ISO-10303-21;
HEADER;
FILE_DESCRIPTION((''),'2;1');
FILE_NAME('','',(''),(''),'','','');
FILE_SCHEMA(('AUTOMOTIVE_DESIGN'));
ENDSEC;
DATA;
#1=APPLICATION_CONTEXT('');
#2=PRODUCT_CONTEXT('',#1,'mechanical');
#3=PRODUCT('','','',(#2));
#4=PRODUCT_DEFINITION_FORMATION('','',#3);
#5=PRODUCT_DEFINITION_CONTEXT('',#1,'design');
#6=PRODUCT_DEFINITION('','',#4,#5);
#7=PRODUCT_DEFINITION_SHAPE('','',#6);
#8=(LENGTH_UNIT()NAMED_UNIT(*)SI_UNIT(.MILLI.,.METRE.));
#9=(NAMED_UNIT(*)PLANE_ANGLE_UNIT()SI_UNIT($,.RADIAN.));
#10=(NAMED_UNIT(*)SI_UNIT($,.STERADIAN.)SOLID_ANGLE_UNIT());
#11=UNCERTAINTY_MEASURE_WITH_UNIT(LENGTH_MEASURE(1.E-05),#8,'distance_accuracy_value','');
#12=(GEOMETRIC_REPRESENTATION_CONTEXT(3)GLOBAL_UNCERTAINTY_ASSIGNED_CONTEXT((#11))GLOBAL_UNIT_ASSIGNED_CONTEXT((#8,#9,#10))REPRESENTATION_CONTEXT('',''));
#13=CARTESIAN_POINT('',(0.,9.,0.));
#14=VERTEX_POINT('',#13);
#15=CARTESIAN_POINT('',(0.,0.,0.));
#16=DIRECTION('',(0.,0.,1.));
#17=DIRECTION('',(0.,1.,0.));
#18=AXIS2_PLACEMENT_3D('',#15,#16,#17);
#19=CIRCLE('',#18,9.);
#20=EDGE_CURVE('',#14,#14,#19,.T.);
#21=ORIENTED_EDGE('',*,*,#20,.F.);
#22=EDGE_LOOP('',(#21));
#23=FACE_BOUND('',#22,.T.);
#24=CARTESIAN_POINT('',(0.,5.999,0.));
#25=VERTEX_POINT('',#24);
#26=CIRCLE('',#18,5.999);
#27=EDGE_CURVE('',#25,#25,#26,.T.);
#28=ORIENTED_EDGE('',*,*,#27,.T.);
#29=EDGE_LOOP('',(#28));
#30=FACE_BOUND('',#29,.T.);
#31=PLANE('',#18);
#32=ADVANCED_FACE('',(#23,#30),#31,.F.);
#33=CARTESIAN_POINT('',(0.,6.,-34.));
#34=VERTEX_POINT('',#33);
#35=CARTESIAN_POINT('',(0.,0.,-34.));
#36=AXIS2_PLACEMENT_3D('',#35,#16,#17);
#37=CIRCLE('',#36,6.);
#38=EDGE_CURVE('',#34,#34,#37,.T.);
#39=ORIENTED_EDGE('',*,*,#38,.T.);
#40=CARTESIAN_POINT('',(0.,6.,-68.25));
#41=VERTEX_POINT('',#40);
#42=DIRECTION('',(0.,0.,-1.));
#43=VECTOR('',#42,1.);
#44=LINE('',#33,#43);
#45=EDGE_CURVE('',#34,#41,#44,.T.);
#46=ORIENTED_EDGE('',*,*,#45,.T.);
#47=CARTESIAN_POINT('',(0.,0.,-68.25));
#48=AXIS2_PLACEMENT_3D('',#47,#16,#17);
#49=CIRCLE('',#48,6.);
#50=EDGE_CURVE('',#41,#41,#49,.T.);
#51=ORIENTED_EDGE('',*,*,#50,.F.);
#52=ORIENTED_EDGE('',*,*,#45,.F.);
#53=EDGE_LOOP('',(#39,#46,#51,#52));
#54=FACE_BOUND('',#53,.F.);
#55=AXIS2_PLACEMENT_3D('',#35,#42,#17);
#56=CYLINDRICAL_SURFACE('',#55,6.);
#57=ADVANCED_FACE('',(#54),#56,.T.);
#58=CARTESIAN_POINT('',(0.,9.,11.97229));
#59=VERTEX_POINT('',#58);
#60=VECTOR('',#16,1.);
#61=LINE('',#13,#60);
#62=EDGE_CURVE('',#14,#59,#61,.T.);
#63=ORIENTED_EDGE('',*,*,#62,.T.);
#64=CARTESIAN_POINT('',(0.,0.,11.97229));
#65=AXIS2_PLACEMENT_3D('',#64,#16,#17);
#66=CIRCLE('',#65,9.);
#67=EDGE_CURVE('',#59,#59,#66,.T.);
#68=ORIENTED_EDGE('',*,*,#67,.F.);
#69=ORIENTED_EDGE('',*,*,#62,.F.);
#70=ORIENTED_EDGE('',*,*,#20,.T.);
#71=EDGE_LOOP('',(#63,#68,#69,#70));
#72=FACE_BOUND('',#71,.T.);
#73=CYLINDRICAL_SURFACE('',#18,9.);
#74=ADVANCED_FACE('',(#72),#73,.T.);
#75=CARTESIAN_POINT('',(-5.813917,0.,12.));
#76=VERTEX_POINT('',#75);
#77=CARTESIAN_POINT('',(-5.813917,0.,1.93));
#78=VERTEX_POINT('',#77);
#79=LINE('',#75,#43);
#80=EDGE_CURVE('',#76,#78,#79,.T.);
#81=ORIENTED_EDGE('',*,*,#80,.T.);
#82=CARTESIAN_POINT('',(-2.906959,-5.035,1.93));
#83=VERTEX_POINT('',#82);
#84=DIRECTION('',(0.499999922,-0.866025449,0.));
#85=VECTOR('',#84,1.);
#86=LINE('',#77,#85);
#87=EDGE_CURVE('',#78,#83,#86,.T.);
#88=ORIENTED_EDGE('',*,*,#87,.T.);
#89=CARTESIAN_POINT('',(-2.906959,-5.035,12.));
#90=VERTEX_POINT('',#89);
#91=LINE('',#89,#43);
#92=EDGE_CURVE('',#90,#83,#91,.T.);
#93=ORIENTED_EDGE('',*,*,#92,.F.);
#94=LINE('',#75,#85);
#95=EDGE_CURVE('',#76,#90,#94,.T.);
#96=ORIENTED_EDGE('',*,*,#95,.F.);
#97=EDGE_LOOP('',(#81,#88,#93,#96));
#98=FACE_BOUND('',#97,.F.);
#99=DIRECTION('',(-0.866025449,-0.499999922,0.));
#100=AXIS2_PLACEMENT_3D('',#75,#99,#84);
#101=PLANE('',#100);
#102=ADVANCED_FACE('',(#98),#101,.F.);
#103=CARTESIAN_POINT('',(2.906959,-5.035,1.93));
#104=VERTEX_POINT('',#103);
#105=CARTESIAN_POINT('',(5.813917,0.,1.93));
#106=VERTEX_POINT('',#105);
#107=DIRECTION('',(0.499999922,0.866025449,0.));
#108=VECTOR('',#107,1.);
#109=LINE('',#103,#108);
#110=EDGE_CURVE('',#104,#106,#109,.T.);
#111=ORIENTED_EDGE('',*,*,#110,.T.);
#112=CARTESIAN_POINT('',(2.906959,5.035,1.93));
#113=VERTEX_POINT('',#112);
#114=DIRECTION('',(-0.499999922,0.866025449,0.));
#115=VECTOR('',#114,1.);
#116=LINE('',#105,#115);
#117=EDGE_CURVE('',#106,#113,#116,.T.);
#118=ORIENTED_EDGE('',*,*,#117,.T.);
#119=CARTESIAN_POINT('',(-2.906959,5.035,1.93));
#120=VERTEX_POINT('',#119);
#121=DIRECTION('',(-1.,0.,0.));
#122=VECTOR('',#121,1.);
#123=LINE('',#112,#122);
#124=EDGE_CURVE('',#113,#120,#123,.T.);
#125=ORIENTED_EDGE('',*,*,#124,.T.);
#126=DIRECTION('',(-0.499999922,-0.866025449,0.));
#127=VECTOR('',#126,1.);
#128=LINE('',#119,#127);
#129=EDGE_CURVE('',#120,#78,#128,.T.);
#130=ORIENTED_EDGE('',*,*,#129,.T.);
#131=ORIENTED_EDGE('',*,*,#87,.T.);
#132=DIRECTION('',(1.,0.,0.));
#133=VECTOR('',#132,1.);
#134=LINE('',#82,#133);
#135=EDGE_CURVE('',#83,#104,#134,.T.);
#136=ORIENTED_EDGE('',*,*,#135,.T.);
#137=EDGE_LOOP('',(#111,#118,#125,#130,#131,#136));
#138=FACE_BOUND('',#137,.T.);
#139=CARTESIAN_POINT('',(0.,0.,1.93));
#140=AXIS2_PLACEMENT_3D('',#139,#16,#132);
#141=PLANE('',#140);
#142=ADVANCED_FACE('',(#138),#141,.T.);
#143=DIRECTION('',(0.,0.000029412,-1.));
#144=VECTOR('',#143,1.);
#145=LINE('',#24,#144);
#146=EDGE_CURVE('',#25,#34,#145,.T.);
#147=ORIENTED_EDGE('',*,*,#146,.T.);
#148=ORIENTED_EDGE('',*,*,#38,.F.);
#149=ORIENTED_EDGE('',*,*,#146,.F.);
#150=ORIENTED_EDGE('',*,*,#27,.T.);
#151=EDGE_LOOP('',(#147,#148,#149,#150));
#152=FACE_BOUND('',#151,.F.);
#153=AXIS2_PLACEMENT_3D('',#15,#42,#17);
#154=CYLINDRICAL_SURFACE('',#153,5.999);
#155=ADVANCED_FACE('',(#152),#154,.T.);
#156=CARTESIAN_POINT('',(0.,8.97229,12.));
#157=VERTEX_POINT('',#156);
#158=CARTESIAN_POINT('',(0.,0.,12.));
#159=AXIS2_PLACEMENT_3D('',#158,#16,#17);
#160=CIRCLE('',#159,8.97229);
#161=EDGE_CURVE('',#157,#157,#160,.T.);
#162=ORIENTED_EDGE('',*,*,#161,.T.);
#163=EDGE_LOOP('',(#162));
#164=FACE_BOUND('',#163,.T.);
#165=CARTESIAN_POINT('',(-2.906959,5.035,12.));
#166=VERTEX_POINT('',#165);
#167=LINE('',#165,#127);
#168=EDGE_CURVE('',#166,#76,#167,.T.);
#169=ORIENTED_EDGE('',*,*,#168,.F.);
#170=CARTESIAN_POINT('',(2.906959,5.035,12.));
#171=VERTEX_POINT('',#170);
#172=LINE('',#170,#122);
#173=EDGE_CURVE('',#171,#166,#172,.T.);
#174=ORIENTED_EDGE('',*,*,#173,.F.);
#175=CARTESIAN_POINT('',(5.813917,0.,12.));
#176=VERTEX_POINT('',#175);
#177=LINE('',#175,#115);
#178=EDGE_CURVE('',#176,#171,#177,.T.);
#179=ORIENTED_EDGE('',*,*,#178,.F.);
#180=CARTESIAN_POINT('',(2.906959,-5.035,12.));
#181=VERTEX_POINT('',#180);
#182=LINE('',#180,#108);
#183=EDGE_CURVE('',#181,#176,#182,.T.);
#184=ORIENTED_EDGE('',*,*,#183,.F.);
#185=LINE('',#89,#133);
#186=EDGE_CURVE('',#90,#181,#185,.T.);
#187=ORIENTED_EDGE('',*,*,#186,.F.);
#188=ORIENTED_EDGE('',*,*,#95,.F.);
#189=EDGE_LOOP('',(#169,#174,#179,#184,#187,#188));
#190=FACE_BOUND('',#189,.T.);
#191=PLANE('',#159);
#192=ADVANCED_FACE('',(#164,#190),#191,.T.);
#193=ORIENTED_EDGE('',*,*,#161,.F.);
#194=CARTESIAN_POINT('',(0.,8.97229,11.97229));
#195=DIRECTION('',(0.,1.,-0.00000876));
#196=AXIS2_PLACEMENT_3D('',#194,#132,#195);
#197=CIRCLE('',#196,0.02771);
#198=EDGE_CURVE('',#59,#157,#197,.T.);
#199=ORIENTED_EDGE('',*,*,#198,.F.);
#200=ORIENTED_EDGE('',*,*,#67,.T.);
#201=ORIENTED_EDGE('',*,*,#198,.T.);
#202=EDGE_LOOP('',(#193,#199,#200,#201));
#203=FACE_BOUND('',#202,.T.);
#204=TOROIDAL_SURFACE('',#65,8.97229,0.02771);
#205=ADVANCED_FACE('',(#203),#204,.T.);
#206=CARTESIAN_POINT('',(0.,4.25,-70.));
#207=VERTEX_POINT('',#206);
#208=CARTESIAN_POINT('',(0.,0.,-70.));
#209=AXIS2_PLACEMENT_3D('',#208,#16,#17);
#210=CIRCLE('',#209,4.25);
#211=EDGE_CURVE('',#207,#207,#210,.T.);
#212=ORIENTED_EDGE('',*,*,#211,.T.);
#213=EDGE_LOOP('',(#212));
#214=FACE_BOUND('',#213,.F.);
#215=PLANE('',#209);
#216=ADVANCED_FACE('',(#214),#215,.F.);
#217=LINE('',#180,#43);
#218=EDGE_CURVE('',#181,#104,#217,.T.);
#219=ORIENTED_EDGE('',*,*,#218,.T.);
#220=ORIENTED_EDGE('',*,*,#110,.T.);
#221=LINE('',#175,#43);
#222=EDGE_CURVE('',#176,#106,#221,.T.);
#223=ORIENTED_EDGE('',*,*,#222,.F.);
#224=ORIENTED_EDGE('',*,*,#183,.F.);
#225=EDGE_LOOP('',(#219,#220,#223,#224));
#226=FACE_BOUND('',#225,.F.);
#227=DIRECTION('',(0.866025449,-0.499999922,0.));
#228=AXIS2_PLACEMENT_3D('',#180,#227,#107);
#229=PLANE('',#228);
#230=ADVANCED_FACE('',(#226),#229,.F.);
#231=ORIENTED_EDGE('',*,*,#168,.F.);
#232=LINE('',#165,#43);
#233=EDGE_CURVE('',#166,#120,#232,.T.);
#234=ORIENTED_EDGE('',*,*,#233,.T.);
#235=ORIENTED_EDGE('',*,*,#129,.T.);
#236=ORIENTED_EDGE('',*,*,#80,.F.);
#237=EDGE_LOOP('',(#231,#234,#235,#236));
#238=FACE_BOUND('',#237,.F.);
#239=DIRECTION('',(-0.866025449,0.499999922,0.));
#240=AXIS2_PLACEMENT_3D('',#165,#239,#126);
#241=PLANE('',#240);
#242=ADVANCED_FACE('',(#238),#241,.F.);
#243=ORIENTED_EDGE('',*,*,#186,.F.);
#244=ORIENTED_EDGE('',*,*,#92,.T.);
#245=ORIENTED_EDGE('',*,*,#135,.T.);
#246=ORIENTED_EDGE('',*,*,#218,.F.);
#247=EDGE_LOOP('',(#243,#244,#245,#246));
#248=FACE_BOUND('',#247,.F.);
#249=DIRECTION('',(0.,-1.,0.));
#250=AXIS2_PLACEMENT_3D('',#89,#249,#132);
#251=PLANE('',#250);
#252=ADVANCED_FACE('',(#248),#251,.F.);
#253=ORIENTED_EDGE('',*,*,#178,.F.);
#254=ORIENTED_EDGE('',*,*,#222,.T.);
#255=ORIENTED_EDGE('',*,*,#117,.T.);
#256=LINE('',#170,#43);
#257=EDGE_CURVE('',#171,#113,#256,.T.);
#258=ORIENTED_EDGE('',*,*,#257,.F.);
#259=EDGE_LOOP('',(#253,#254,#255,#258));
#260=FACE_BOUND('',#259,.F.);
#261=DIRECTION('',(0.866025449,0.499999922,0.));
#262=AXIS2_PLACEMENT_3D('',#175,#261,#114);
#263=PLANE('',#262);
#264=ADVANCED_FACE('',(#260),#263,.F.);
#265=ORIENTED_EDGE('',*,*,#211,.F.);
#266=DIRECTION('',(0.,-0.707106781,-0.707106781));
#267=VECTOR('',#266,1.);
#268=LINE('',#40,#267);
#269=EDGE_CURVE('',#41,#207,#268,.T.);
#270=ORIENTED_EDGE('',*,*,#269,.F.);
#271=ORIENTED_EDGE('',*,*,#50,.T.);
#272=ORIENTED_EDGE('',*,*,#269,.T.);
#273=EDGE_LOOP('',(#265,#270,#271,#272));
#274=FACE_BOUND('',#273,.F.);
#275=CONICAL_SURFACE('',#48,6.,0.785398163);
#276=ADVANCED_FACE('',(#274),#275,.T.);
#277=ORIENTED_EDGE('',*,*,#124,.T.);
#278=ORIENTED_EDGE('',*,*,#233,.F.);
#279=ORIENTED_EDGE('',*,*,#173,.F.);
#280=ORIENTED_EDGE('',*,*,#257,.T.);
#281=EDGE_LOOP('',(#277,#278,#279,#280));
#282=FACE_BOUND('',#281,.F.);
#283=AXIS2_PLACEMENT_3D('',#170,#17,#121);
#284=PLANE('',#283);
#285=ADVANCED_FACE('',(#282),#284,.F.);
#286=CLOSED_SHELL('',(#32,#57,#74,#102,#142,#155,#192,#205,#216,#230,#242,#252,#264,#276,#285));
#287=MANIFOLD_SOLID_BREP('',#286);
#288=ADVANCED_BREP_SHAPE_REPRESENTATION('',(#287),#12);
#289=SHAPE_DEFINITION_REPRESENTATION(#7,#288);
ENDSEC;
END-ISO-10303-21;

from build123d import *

# Parameters (mm, degrees)
POCKET_DEPTH = 10.07


with BuildPart() as part:
    # Sketch → Revolve (revolve)
    with BuildSketch(Plane.YZ):
        with BuildLine():
            Line((5.999, 0), (9, 0))
            Line((9, 0), (9, 11.97229))
            ThreePointArc((9, 11.97229), (8.991884, 11.991884), (8.97229, 12))
            Line((8.97229, 12), (0, 12))
            Line((0, -70), (0, 12))
            Line((4.25, -70), (0, -70))
            Line((6, -68.25), (4.25, -70))
            Line((6, -34), (6, -68.25))
            Line((5.999, 0), (6, -34))
        make_face()
    revolve(axis=Axis((0, 0, 0), (0, 0, 1)))

    # Sketch001 → Pocket (cut)
    with BuildSketch(Plane.XY.offset(12)):
        Polygon((5.813917, 0), (2.906959, 5.035), (-2.906959, 5.035), (-5.813917, 0), (-2.906959, -5.035), (2.906959, -5.035), align=None)
    extrude(amount=-POCKET_DEPTH, mode=Mode.SUBTRACT)


solid = part.part
